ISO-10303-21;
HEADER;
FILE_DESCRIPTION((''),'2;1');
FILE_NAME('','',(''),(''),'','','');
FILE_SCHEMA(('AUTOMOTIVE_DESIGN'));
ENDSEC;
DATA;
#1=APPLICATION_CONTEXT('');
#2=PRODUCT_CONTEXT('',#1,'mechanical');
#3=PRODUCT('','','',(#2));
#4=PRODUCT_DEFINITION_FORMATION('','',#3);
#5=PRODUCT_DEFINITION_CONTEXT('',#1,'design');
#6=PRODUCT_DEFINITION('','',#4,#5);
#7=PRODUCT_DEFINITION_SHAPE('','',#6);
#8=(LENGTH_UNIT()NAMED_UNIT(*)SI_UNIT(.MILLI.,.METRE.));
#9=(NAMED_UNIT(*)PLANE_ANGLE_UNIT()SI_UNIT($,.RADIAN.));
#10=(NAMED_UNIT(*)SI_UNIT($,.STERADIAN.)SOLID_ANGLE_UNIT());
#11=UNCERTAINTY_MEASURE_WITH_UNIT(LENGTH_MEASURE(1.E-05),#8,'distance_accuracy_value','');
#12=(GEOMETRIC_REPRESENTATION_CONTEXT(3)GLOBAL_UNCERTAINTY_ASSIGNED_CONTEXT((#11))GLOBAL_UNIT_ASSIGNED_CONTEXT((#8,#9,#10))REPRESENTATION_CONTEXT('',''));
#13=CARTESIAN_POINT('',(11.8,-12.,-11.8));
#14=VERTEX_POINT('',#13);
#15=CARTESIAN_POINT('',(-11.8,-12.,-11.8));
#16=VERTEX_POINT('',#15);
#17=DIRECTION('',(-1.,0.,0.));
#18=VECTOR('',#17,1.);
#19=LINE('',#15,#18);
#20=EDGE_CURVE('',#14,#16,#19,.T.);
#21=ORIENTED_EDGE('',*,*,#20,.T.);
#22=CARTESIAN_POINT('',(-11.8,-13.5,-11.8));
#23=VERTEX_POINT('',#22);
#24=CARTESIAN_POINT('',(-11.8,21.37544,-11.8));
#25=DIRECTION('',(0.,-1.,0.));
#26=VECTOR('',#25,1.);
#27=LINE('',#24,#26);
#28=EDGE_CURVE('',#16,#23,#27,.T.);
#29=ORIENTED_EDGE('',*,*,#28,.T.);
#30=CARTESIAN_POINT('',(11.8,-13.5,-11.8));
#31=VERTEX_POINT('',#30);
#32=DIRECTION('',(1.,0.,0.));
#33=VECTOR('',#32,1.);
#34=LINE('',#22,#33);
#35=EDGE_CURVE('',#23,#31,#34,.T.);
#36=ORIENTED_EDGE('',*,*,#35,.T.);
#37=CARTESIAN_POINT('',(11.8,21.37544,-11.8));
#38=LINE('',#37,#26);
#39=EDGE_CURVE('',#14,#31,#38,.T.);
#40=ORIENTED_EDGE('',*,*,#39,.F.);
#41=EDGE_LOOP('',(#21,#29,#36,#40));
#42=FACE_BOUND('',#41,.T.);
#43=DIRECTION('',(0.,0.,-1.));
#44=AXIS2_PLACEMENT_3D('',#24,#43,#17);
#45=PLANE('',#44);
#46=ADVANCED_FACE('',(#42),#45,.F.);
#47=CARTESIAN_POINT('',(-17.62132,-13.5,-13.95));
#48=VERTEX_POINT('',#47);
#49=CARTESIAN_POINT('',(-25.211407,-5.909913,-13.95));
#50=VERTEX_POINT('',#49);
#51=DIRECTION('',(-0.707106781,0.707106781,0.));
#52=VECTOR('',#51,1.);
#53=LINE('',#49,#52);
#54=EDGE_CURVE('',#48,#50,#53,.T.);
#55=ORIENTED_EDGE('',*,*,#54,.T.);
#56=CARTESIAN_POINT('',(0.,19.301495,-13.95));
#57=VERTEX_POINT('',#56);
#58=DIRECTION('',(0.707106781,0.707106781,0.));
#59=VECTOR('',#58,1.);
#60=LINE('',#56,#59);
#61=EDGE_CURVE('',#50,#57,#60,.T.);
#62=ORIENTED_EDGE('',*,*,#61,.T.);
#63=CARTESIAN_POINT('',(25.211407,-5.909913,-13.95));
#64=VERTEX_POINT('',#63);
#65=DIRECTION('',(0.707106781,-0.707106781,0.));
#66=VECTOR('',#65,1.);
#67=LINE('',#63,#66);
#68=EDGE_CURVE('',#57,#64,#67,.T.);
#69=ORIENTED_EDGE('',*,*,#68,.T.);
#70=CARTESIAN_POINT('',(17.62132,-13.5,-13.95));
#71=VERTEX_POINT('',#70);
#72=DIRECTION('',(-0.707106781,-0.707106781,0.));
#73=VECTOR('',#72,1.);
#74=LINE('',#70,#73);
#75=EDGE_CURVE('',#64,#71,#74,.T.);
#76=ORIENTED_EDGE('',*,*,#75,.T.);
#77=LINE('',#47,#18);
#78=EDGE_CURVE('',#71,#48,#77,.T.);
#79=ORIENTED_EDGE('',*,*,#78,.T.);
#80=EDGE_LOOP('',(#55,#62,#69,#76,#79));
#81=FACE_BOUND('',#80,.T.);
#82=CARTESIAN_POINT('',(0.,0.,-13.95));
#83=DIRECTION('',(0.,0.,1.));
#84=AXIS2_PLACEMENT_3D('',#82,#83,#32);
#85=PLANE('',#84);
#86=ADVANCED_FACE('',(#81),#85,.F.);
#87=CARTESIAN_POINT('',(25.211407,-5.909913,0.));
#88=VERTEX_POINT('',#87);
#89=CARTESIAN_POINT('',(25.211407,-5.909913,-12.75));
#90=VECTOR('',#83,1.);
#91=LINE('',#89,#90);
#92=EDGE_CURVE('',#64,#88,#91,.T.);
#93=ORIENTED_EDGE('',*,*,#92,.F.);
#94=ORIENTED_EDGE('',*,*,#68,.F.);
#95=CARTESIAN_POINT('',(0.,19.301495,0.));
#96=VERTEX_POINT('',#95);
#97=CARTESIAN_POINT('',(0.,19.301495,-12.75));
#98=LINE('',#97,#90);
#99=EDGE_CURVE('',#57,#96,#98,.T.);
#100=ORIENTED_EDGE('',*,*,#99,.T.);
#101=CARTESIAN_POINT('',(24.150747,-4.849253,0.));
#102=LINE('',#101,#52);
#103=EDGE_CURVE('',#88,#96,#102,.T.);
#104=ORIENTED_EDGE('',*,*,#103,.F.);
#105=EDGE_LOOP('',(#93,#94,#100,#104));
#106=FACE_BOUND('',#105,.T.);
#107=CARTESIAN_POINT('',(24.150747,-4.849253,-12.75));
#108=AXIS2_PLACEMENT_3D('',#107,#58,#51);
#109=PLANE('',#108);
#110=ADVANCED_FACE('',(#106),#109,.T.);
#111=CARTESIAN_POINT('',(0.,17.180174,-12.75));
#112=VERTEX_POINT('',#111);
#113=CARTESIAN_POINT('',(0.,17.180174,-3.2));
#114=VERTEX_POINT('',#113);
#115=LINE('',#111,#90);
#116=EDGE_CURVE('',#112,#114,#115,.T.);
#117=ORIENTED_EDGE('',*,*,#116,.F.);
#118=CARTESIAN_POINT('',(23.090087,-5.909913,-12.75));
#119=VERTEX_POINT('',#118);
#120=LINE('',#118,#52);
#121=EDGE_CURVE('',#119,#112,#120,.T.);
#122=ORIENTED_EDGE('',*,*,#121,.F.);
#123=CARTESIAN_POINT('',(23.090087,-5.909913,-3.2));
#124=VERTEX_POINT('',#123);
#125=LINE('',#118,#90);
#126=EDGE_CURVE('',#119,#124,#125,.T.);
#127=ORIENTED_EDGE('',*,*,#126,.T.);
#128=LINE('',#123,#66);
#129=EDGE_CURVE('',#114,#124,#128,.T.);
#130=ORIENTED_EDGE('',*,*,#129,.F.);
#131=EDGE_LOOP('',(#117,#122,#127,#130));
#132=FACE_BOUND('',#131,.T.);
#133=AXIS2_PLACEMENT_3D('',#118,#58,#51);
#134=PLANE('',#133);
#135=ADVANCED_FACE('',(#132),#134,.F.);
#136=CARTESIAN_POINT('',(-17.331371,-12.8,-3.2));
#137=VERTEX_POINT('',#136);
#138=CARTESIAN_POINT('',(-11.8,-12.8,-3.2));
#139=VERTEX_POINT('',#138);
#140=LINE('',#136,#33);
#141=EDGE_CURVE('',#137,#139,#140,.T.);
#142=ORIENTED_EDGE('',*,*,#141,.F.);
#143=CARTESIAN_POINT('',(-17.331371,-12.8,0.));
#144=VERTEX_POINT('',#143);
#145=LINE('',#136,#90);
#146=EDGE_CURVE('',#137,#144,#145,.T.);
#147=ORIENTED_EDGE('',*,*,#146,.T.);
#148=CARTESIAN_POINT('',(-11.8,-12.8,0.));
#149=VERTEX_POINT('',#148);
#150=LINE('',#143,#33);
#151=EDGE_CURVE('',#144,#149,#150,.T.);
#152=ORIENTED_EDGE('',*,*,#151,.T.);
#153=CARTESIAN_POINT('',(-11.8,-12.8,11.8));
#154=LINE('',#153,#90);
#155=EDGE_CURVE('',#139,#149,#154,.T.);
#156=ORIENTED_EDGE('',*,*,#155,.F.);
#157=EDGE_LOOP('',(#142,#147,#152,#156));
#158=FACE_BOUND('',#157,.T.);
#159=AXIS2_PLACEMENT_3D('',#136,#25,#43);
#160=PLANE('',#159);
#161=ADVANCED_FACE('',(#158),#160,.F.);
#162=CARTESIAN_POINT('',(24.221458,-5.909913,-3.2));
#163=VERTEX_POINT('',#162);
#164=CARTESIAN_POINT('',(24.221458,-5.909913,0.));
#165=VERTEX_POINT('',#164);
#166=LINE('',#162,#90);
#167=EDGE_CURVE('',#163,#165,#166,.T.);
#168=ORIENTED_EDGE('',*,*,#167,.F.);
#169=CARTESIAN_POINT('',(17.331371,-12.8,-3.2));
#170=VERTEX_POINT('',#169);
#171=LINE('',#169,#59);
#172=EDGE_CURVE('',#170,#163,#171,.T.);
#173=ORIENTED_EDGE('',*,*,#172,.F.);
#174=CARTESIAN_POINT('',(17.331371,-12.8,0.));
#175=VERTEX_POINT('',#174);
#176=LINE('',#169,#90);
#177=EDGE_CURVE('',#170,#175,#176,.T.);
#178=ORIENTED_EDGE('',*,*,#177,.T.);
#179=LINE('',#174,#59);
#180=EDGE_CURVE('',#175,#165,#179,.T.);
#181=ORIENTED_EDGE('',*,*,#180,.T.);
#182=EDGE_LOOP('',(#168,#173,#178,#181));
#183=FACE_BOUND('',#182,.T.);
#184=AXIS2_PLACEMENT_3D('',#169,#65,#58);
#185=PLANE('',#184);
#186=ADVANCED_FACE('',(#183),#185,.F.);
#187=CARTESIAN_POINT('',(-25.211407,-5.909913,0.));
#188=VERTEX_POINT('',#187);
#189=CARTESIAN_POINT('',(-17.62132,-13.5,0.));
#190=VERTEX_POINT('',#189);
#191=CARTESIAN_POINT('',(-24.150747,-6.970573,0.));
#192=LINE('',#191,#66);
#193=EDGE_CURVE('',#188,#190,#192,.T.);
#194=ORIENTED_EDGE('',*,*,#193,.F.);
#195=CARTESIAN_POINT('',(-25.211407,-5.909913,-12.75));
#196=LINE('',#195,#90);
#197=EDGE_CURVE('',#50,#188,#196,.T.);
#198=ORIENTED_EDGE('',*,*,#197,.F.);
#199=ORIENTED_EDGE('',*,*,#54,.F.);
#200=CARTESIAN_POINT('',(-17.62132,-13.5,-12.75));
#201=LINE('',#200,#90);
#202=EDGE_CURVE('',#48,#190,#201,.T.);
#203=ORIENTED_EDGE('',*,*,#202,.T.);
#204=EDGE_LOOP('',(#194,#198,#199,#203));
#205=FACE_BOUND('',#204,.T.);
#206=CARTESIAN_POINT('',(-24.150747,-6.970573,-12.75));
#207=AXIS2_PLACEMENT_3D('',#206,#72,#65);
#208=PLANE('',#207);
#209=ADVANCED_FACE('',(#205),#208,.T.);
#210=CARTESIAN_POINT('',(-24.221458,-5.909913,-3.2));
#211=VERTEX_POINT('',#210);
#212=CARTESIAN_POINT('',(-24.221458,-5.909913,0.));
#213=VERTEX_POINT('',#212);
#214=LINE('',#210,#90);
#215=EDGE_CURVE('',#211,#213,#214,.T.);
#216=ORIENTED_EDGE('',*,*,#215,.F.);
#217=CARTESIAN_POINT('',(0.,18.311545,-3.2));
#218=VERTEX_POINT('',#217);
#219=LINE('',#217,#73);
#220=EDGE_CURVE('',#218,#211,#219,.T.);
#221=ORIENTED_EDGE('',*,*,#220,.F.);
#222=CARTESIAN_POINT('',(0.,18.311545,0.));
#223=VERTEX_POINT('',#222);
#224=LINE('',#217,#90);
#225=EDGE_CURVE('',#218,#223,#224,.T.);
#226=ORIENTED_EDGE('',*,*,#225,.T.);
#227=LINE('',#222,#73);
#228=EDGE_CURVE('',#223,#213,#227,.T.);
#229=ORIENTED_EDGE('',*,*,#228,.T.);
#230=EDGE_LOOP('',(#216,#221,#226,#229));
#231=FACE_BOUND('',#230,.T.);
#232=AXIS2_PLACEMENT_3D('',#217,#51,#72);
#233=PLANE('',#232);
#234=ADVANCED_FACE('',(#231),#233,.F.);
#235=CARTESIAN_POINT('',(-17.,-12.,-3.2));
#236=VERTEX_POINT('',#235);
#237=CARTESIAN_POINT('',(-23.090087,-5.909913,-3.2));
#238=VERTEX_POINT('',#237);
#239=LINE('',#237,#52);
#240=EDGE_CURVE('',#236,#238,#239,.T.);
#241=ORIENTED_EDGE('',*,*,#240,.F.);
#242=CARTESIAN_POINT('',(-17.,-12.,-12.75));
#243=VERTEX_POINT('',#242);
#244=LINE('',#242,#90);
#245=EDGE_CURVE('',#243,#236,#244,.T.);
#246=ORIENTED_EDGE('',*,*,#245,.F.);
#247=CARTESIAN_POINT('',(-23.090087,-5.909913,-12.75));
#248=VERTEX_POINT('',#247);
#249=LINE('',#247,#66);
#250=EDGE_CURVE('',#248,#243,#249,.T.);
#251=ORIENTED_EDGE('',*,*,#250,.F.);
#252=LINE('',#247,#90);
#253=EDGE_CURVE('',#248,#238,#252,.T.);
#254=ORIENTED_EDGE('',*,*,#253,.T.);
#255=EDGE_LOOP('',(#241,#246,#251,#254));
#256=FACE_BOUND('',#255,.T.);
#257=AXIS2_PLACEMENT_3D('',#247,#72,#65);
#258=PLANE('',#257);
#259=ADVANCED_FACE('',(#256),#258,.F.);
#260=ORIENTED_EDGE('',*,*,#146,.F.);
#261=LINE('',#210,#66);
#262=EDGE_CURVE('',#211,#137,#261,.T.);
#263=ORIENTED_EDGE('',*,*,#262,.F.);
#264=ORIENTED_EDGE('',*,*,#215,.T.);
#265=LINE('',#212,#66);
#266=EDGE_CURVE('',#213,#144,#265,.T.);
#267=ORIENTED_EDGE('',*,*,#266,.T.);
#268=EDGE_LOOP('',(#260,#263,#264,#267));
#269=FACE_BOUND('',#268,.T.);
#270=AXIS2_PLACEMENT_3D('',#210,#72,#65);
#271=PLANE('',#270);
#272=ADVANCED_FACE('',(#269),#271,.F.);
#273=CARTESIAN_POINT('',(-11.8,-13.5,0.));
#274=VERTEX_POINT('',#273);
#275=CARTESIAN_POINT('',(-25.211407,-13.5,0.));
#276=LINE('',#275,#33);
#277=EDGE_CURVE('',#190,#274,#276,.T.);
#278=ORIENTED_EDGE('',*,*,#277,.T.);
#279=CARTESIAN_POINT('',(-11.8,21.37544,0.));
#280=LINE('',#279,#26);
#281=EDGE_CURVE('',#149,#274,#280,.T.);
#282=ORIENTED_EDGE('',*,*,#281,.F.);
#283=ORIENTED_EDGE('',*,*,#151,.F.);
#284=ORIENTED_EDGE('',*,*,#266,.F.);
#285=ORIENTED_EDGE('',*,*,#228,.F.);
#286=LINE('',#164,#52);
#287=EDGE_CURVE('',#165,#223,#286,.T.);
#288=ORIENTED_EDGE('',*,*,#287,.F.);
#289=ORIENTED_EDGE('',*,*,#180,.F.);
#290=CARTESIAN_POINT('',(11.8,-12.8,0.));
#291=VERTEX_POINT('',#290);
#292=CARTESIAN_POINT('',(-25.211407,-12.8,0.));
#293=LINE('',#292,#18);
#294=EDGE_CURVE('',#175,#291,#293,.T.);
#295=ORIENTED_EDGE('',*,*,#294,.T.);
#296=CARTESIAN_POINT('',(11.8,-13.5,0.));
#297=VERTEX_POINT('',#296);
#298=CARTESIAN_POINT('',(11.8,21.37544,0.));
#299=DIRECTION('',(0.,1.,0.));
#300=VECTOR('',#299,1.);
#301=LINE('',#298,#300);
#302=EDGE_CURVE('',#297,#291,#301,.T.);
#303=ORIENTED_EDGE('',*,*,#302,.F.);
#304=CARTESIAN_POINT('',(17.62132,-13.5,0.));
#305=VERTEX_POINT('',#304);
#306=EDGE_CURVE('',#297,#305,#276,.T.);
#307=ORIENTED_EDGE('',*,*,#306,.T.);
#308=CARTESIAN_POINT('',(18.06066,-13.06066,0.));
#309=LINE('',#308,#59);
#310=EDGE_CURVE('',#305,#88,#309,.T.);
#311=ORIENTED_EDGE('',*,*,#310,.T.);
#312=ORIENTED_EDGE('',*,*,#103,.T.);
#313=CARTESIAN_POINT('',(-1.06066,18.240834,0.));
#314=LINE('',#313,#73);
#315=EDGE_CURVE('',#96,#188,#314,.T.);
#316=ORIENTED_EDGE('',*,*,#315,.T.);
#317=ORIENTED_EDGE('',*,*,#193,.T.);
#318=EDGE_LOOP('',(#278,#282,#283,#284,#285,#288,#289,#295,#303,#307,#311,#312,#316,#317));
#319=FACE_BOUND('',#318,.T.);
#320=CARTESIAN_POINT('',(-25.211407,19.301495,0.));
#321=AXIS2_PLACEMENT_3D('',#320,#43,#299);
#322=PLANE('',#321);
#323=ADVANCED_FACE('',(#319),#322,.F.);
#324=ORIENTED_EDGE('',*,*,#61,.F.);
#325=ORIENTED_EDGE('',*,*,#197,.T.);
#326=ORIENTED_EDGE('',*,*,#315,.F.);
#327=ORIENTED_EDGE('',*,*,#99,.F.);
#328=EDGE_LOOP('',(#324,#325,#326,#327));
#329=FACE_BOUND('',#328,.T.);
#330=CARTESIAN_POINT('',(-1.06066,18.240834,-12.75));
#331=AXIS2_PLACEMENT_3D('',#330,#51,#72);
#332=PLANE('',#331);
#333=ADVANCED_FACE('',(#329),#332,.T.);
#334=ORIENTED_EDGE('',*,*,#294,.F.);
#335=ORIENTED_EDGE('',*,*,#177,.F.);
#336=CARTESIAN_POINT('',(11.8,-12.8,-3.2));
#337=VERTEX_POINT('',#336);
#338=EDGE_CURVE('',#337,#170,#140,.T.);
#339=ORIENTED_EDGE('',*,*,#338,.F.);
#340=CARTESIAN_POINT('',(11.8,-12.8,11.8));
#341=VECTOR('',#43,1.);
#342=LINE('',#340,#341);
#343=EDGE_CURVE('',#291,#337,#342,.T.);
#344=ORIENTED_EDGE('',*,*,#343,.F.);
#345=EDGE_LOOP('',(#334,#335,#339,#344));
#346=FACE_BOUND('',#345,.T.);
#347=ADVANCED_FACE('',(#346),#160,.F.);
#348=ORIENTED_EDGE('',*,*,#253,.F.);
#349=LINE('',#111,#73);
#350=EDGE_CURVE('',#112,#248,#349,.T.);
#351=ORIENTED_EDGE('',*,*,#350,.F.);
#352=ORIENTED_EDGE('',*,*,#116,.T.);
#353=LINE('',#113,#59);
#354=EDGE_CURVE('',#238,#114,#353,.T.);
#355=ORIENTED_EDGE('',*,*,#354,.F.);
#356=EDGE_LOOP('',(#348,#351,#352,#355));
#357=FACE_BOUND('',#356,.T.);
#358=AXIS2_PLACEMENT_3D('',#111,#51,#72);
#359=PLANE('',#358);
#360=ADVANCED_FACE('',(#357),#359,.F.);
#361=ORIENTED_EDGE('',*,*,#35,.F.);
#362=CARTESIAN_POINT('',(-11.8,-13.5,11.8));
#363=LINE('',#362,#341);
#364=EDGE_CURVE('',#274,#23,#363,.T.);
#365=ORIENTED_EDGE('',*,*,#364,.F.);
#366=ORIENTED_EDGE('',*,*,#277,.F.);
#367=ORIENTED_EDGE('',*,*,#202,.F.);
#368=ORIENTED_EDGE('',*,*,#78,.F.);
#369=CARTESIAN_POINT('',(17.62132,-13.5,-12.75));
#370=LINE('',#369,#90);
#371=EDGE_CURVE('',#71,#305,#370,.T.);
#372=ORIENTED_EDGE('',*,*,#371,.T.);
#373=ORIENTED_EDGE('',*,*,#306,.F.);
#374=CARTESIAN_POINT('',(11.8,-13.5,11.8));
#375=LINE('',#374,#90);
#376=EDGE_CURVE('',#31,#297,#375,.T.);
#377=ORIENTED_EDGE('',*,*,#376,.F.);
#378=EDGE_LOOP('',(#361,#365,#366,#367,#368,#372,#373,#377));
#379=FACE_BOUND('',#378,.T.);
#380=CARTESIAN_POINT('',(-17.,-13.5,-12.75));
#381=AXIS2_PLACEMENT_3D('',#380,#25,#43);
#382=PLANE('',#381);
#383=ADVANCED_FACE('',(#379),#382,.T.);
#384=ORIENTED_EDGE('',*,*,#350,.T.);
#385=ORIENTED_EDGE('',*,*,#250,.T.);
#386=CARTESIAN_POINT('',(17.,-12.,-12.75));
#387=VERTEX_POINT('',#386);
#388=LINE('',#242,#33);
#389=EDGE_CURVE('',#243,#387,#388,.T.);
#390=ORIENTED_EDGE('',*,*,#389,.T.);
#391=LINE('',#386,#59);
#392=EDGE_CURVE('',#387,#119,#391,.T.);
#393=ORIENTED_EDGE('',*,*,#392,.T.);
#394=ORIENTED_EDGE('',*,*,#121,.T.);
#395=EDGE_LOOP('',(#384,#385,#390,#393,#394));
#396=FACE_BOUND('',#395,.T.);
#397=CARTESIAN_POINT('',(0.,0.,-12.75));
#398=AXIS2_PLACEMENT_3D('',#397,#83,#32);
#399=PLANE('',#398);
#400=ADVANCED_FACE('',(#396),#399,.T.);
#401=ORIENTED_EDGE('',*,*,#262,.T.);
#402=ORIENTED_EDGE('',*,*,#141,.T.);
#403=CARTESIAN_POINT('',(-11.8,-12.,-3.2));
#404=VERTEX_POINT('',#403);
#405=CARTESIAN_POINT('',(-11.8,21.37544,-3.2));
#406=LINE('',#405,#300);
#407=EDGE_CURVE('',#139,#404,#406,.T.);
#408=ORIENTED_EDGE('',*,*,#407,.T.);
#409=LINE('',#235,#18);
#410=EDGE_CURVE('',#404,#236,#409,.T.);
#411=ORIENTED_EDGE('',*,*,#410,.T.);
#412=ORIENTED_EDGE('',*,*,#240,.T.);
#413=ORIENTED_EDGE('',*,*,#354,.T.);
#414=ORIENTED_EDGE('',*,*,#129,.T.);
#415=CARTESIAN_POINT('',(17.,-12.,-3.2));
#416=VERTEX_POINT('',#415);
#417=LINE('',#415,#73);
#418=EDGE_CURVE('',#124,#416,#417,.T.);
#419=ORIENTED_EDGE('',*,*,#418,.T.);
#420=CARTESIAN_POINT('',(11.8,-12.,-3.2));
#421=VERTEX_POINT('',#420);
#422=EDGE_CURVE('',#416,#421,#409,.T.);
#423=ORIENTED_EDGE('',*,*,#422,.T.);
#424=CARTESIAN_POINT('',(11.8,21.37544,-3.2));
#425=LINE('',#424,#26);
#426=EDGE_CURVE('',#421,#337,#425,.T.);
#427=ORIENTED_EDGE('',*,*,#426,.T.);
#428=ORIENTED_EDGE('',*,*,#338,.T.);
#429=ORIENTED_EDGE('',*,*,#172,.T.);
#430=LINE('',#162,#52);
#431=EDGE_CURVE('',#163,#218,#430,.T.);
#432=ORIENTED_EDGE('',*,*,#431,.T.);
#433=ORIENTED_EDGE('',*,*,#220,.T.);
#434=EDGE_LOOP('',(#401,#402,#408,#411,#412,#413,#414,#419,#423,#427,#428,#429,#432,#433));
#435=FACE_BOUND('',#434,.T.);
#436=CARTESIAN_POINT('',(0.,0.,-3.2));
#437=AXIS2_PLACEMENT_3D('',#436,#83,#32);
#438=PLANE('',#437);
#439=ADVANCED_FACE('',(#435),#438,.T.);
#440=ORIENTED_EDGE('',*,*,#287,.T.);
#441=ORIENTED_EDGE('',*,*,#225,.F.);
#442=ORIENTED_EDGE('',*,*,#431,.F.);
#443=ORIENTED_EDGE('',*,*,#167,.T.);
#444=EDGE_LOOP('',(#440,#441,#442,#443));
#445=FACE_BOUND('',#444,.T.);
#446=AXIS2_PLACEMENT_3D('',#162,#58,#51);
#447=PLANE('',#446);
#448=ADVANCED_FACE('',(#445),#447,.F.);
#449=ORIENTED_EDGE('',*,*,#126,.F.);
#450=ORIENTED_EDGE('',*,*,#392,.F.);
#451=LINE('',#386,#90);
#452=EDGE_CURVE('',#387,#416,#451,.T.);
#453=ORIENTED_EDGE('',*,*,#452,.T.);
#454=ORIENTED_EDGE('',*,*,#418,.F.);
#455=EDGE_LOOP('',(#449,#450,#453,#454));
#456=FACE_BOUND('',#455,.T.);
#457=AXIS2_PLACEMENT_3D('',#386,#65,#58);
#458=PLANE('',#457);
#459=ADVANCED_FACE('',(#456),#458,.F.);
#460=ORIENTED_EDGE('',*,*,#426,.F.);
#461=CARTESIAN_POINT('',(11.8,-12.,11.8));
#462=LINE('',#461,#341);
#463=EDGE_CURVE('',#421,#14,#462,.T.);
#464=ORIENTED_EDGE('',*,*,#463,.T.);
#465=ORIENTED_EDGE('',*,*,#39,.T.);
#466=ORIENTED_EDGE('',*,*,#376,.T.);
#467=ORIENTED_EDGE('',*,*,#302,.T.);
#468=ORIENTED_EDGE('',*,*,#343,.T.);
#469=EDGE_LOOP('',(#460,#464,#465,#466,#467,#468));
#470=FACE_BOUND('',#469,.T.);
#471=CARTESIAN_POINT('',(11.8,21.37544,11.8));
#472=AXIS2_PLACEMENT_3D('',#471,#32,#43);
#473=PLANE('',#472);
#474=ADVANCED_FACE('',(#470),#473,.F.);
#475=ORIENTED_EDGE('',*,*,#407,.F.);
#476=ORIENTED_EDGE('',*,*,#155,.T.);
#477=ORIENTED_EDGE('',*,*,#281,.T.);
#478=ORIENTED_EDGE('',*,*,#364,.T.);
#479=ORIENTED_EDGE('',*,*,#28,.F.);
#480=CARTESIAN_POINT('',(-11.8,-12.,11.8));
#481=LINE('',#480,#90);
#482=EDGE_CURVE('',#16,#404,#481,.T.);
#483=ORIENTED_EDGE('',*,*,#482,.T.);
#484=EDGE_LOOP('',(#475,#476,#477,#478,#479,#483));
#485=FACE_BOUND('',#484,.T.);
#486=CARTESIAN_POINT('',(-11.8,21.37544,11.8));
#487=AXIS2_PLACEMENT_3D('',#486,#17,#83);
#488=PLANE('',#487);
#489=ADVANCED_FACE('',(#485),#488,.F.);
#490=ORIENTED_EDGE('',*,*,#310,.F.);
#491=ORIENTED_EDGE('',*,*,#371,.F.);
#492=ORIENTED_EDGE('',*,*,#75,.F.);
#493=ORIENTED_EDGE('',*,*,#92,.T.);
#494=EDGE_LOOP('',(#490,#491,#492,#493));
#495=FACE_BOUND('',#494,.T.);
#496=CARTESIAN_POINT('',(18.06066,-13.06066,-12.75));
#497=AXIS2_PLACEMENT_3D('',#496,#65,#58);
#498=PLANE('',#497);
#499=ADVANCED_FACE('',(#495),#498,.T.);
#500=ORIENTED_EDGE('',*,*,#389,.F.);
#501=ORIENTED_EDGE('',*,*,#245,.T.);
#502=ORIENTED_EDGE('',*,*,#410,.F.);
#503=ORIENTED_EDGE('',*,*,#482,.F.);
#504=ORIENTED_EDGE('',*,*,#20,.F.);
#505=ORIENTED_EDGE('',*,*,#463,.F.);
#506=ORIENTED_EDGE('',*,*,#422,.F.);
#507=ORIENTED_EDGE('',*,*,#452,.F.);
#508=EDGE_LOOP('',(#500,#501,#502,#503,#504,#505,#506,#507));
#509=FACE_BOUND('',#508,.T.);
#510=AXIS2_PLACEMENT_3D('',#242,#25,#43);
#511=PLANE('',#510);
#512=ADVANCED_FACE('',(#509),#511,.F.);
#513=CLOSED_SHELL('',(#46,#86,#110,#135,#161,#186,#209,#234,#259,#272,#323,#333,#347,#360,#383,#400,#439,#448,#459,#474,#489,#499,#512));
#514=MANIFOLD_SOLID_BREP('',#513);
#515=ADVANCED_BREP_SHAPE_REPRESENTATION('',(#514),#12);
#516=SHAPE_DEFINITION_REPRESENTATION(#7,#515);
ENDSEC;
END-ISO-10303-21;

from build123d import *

# Parameters (mm, degrees)
EXTRUDE_1_DEPTH          = 12.75
EXTRUDE_1_DEPTH_BACK     = 12.75
EXTRUDE_1_2_DEPTH        = 1.2
EXTRUDE_2_DEPTH          = 1.2
SKETCH_4_W               = 23.6
SKETCH_4_H               = 23.6
CUT_EXTRUDE_1_DEPTH      = 1.5
CUT_EXTRUDE_2_DEPTH      = 35.680906203
CUT_EXTRUDE_2_DEPTH_BACK = 35.680906203
SKETCH_5_W               = 13.95
SKETCH_5_H               = 32.801494515
CUT_EXTRUDE_3_DEPTH      = 3.2


with BuildPart() as part:
    # Эскиз1 → Extrude 1 (new, two sides: drawn at the far end of the back side and taken through both)
    with BuildSketch(Plane.XY.offset(-EXTRUDE_1_DEPTH_BACK)):
        Polygon((-17.621320344, -13.5), (17.621320344, -13.5), (25.211407429, -5.909912914), (0, 19.301494515), (-25.211407429, -5.909912914), align=None)
        Polygon((-17, -12), (17, -12), (23.090087086, -5.909912914), (0, 17.180174171), (-23.090087086, -5.909912914), align=None, mode=Mode.SUBTRACT)
    extrude(amount=EXTRUDE_1_DEPTH + EXTRUDE_1_DEPTH_BACK)

    # Эскиз2 → Extrude 1 2 (add)
    with BuildSketch(Plane.XY.offset(12.75)):
        Polygon((25.211407429, -5.909912914), (0, 19.301494515), (-25.211407429, -5.909912914), (-17.621320344, -13.5), (17.621320344, -13.5), align=None)
    extrude(amount=EXTRUDE_1_2_DEPTH)

    # Эскиз3 → Бобышка-Вытянуть2 (add)
    with BuildSketch(Plane(origin=(0, 0, -12.75), x_dir=(-1, 0, 0), z_dir=(0, 0, -1))):
        Polygon((0, 19.301494515), (25.211407429, -5.909912914), (17.621320344, -13.5), (-17.621320344, -13.5), (-25.211407429, -5.909912914), align=None)
    extrude(amount=EXTRUDE_2_DEPTH)

    # Эскиз4 → Вырез-Вытянуть1 (cut)
    with BuildSketch(Plane.XZ.offset(13.5)):
        Rectangle(SKETCH_4_W, SKETCH_4_H)
    extrude(amount=-CUT_EXTRUDE_1_DEPTH, mode=Mode.SUBTRACT)

    # Эскиз5 → Вырез-Вытянуть2 (cut, two sides: drawn at the far end of the back side and taken through both)
    with BuildSketch(Plane(origin=(0, 0, 0), x_dir=(0, 0, -1), z_dir=(1, 0, 0)).offset(-CUT_EXTRUDE_2_DEPTH_BACK)):
        with Locations((-6.975, 2.900747258)):
            Rectangle(SKETCH_5_W, SKETCH_5_H)
    extrude(amount=CUT_EXTRUDE_2_DEPTH + CUT_EXTRUDE_2_DEPTH_BACK, mode=Mode.SUBTRACT)

    # Эскиз6 → Вырез-Вытянуть3 (cut)
    with BuildSketch(Plane.XY):
        Polygon((-17.33137085, -12.8), (17.33137085, -12.8), (24.221457935, -5.909912914), (0, 18.311545021), (-24.221457935, -5.909912914), align=None)
    extrude(amount=-CUT_EXTRUDE_3_DEPTH, mode=Mode.SUBTRACT)


solid = part.part
